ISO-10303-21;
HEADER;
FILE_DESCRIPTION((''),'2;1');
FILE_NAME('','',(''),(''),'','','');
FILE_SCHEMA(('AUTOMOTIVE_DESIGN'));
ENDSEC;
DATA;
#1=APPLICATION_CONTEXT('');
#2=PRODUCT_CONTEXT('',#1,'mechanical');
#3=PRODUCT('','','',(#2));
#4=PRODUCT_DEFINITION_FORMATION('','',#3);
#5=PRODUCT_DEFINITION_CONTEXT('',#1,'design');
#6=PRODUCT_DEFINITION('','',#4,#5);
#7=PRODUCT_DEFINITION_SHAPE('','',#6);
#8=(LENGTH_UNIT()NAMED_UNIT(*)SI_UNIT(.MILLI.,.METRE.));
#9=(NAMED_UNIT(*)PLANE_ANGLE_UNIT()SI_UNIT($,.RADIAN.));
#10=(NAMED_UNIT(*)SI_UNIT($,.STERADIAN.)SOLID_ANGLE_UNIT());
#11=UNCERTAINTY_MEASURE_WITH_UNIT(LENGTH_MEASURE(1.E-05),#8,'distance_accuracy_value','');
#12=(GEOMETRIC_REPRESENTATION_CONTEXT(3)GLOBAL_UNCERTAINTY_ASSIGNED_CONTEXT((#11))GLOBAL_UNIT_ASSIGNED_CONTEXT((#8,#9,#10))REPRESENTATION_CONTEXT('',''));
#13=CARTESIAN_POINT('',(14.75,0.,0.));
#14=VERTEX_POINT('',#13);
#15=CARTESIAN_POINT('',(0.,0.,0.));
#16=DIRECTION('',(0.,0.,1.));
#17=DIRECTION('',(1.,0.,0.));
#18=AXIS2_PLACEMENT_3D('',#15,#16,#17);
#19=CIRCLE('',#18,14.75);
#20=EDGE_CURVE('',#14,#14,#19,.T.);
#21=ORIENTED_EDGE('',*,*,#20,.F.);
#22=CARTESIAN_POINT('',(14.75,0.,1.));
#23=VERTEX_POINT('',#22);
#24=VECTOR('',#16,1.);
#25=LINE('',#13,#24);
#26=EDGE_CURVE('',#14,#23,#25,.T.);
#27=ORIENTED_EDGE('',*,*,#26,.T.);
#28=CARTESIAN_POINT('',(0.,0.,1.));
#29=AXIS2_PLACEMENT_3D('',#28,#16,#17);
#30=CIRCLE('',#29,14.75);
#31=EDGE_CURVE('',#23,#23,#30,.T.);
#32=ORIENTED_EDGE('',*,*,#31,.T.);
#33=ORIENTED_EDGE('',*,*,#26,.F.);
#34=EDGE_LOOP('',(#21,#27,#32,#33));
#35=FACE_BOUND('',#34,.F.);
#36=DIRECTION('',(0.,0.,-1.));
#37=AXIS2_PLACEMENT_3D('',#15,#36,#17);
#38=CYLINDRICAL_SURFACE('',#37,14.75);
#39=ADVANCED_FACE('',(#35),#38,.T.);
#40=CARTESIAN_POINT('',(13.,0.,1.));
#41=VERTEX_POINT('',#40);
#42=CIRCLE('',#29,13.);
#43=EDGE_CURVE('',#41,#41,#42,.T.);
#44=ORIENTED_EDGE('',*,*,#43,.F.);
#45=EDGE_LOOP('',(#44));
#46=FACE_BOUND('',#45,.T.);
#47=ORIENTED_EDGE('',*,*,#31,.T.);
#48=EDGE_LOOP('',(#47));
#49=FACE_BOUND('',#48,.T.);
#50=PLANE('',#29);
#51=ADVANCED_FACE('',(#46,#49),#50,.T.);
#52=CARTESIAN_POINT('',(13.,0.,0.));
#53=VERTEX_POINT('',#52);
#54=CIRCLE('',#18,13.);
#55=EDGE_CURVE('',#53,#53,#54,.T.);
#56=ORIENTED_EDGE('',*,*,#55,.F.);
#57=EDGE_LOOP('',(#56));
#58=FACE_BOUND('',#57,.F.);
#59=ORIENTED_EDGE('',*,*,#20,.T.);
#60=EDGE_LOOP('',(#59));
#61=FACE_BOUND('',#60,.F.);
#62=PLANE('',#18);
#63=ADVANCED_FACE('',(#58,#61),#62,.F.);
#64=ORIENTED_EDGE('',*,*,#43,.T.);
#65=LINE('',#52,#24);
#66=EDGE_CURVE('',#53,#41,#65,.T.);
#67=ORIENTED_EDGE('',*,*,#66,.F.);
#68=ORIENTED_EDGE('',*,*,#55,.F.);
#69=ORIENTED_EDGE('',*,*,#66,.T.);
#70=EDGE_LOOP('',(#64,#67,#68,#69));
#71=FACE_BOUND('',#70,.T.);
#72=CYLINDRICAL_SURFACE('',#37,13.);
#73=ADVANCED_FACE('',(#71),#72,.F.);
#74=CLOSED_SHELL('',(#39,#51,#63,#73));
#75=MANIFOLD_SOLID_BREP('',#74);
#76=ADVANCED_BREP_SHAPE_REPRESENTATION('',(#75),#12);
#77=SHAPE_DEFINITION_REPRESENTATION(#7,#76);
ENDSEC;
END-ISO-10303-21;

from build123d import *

# Parameters (mm, degrees)
SKETCH_R   = 14.75
SKETCH_R_2 = 13
PAD_DEPTH  = 1


with BuildPart() as part:
    # Sketch → Pad (new body)
    with BuildSketch(Plane.XY):
        Circle(SKETCH_R)
        Circle(SKETCH_R_2, mode=Mode.SUBTRACT)
    extrude(amount=PAD_DEPTH)


solid = part.part
